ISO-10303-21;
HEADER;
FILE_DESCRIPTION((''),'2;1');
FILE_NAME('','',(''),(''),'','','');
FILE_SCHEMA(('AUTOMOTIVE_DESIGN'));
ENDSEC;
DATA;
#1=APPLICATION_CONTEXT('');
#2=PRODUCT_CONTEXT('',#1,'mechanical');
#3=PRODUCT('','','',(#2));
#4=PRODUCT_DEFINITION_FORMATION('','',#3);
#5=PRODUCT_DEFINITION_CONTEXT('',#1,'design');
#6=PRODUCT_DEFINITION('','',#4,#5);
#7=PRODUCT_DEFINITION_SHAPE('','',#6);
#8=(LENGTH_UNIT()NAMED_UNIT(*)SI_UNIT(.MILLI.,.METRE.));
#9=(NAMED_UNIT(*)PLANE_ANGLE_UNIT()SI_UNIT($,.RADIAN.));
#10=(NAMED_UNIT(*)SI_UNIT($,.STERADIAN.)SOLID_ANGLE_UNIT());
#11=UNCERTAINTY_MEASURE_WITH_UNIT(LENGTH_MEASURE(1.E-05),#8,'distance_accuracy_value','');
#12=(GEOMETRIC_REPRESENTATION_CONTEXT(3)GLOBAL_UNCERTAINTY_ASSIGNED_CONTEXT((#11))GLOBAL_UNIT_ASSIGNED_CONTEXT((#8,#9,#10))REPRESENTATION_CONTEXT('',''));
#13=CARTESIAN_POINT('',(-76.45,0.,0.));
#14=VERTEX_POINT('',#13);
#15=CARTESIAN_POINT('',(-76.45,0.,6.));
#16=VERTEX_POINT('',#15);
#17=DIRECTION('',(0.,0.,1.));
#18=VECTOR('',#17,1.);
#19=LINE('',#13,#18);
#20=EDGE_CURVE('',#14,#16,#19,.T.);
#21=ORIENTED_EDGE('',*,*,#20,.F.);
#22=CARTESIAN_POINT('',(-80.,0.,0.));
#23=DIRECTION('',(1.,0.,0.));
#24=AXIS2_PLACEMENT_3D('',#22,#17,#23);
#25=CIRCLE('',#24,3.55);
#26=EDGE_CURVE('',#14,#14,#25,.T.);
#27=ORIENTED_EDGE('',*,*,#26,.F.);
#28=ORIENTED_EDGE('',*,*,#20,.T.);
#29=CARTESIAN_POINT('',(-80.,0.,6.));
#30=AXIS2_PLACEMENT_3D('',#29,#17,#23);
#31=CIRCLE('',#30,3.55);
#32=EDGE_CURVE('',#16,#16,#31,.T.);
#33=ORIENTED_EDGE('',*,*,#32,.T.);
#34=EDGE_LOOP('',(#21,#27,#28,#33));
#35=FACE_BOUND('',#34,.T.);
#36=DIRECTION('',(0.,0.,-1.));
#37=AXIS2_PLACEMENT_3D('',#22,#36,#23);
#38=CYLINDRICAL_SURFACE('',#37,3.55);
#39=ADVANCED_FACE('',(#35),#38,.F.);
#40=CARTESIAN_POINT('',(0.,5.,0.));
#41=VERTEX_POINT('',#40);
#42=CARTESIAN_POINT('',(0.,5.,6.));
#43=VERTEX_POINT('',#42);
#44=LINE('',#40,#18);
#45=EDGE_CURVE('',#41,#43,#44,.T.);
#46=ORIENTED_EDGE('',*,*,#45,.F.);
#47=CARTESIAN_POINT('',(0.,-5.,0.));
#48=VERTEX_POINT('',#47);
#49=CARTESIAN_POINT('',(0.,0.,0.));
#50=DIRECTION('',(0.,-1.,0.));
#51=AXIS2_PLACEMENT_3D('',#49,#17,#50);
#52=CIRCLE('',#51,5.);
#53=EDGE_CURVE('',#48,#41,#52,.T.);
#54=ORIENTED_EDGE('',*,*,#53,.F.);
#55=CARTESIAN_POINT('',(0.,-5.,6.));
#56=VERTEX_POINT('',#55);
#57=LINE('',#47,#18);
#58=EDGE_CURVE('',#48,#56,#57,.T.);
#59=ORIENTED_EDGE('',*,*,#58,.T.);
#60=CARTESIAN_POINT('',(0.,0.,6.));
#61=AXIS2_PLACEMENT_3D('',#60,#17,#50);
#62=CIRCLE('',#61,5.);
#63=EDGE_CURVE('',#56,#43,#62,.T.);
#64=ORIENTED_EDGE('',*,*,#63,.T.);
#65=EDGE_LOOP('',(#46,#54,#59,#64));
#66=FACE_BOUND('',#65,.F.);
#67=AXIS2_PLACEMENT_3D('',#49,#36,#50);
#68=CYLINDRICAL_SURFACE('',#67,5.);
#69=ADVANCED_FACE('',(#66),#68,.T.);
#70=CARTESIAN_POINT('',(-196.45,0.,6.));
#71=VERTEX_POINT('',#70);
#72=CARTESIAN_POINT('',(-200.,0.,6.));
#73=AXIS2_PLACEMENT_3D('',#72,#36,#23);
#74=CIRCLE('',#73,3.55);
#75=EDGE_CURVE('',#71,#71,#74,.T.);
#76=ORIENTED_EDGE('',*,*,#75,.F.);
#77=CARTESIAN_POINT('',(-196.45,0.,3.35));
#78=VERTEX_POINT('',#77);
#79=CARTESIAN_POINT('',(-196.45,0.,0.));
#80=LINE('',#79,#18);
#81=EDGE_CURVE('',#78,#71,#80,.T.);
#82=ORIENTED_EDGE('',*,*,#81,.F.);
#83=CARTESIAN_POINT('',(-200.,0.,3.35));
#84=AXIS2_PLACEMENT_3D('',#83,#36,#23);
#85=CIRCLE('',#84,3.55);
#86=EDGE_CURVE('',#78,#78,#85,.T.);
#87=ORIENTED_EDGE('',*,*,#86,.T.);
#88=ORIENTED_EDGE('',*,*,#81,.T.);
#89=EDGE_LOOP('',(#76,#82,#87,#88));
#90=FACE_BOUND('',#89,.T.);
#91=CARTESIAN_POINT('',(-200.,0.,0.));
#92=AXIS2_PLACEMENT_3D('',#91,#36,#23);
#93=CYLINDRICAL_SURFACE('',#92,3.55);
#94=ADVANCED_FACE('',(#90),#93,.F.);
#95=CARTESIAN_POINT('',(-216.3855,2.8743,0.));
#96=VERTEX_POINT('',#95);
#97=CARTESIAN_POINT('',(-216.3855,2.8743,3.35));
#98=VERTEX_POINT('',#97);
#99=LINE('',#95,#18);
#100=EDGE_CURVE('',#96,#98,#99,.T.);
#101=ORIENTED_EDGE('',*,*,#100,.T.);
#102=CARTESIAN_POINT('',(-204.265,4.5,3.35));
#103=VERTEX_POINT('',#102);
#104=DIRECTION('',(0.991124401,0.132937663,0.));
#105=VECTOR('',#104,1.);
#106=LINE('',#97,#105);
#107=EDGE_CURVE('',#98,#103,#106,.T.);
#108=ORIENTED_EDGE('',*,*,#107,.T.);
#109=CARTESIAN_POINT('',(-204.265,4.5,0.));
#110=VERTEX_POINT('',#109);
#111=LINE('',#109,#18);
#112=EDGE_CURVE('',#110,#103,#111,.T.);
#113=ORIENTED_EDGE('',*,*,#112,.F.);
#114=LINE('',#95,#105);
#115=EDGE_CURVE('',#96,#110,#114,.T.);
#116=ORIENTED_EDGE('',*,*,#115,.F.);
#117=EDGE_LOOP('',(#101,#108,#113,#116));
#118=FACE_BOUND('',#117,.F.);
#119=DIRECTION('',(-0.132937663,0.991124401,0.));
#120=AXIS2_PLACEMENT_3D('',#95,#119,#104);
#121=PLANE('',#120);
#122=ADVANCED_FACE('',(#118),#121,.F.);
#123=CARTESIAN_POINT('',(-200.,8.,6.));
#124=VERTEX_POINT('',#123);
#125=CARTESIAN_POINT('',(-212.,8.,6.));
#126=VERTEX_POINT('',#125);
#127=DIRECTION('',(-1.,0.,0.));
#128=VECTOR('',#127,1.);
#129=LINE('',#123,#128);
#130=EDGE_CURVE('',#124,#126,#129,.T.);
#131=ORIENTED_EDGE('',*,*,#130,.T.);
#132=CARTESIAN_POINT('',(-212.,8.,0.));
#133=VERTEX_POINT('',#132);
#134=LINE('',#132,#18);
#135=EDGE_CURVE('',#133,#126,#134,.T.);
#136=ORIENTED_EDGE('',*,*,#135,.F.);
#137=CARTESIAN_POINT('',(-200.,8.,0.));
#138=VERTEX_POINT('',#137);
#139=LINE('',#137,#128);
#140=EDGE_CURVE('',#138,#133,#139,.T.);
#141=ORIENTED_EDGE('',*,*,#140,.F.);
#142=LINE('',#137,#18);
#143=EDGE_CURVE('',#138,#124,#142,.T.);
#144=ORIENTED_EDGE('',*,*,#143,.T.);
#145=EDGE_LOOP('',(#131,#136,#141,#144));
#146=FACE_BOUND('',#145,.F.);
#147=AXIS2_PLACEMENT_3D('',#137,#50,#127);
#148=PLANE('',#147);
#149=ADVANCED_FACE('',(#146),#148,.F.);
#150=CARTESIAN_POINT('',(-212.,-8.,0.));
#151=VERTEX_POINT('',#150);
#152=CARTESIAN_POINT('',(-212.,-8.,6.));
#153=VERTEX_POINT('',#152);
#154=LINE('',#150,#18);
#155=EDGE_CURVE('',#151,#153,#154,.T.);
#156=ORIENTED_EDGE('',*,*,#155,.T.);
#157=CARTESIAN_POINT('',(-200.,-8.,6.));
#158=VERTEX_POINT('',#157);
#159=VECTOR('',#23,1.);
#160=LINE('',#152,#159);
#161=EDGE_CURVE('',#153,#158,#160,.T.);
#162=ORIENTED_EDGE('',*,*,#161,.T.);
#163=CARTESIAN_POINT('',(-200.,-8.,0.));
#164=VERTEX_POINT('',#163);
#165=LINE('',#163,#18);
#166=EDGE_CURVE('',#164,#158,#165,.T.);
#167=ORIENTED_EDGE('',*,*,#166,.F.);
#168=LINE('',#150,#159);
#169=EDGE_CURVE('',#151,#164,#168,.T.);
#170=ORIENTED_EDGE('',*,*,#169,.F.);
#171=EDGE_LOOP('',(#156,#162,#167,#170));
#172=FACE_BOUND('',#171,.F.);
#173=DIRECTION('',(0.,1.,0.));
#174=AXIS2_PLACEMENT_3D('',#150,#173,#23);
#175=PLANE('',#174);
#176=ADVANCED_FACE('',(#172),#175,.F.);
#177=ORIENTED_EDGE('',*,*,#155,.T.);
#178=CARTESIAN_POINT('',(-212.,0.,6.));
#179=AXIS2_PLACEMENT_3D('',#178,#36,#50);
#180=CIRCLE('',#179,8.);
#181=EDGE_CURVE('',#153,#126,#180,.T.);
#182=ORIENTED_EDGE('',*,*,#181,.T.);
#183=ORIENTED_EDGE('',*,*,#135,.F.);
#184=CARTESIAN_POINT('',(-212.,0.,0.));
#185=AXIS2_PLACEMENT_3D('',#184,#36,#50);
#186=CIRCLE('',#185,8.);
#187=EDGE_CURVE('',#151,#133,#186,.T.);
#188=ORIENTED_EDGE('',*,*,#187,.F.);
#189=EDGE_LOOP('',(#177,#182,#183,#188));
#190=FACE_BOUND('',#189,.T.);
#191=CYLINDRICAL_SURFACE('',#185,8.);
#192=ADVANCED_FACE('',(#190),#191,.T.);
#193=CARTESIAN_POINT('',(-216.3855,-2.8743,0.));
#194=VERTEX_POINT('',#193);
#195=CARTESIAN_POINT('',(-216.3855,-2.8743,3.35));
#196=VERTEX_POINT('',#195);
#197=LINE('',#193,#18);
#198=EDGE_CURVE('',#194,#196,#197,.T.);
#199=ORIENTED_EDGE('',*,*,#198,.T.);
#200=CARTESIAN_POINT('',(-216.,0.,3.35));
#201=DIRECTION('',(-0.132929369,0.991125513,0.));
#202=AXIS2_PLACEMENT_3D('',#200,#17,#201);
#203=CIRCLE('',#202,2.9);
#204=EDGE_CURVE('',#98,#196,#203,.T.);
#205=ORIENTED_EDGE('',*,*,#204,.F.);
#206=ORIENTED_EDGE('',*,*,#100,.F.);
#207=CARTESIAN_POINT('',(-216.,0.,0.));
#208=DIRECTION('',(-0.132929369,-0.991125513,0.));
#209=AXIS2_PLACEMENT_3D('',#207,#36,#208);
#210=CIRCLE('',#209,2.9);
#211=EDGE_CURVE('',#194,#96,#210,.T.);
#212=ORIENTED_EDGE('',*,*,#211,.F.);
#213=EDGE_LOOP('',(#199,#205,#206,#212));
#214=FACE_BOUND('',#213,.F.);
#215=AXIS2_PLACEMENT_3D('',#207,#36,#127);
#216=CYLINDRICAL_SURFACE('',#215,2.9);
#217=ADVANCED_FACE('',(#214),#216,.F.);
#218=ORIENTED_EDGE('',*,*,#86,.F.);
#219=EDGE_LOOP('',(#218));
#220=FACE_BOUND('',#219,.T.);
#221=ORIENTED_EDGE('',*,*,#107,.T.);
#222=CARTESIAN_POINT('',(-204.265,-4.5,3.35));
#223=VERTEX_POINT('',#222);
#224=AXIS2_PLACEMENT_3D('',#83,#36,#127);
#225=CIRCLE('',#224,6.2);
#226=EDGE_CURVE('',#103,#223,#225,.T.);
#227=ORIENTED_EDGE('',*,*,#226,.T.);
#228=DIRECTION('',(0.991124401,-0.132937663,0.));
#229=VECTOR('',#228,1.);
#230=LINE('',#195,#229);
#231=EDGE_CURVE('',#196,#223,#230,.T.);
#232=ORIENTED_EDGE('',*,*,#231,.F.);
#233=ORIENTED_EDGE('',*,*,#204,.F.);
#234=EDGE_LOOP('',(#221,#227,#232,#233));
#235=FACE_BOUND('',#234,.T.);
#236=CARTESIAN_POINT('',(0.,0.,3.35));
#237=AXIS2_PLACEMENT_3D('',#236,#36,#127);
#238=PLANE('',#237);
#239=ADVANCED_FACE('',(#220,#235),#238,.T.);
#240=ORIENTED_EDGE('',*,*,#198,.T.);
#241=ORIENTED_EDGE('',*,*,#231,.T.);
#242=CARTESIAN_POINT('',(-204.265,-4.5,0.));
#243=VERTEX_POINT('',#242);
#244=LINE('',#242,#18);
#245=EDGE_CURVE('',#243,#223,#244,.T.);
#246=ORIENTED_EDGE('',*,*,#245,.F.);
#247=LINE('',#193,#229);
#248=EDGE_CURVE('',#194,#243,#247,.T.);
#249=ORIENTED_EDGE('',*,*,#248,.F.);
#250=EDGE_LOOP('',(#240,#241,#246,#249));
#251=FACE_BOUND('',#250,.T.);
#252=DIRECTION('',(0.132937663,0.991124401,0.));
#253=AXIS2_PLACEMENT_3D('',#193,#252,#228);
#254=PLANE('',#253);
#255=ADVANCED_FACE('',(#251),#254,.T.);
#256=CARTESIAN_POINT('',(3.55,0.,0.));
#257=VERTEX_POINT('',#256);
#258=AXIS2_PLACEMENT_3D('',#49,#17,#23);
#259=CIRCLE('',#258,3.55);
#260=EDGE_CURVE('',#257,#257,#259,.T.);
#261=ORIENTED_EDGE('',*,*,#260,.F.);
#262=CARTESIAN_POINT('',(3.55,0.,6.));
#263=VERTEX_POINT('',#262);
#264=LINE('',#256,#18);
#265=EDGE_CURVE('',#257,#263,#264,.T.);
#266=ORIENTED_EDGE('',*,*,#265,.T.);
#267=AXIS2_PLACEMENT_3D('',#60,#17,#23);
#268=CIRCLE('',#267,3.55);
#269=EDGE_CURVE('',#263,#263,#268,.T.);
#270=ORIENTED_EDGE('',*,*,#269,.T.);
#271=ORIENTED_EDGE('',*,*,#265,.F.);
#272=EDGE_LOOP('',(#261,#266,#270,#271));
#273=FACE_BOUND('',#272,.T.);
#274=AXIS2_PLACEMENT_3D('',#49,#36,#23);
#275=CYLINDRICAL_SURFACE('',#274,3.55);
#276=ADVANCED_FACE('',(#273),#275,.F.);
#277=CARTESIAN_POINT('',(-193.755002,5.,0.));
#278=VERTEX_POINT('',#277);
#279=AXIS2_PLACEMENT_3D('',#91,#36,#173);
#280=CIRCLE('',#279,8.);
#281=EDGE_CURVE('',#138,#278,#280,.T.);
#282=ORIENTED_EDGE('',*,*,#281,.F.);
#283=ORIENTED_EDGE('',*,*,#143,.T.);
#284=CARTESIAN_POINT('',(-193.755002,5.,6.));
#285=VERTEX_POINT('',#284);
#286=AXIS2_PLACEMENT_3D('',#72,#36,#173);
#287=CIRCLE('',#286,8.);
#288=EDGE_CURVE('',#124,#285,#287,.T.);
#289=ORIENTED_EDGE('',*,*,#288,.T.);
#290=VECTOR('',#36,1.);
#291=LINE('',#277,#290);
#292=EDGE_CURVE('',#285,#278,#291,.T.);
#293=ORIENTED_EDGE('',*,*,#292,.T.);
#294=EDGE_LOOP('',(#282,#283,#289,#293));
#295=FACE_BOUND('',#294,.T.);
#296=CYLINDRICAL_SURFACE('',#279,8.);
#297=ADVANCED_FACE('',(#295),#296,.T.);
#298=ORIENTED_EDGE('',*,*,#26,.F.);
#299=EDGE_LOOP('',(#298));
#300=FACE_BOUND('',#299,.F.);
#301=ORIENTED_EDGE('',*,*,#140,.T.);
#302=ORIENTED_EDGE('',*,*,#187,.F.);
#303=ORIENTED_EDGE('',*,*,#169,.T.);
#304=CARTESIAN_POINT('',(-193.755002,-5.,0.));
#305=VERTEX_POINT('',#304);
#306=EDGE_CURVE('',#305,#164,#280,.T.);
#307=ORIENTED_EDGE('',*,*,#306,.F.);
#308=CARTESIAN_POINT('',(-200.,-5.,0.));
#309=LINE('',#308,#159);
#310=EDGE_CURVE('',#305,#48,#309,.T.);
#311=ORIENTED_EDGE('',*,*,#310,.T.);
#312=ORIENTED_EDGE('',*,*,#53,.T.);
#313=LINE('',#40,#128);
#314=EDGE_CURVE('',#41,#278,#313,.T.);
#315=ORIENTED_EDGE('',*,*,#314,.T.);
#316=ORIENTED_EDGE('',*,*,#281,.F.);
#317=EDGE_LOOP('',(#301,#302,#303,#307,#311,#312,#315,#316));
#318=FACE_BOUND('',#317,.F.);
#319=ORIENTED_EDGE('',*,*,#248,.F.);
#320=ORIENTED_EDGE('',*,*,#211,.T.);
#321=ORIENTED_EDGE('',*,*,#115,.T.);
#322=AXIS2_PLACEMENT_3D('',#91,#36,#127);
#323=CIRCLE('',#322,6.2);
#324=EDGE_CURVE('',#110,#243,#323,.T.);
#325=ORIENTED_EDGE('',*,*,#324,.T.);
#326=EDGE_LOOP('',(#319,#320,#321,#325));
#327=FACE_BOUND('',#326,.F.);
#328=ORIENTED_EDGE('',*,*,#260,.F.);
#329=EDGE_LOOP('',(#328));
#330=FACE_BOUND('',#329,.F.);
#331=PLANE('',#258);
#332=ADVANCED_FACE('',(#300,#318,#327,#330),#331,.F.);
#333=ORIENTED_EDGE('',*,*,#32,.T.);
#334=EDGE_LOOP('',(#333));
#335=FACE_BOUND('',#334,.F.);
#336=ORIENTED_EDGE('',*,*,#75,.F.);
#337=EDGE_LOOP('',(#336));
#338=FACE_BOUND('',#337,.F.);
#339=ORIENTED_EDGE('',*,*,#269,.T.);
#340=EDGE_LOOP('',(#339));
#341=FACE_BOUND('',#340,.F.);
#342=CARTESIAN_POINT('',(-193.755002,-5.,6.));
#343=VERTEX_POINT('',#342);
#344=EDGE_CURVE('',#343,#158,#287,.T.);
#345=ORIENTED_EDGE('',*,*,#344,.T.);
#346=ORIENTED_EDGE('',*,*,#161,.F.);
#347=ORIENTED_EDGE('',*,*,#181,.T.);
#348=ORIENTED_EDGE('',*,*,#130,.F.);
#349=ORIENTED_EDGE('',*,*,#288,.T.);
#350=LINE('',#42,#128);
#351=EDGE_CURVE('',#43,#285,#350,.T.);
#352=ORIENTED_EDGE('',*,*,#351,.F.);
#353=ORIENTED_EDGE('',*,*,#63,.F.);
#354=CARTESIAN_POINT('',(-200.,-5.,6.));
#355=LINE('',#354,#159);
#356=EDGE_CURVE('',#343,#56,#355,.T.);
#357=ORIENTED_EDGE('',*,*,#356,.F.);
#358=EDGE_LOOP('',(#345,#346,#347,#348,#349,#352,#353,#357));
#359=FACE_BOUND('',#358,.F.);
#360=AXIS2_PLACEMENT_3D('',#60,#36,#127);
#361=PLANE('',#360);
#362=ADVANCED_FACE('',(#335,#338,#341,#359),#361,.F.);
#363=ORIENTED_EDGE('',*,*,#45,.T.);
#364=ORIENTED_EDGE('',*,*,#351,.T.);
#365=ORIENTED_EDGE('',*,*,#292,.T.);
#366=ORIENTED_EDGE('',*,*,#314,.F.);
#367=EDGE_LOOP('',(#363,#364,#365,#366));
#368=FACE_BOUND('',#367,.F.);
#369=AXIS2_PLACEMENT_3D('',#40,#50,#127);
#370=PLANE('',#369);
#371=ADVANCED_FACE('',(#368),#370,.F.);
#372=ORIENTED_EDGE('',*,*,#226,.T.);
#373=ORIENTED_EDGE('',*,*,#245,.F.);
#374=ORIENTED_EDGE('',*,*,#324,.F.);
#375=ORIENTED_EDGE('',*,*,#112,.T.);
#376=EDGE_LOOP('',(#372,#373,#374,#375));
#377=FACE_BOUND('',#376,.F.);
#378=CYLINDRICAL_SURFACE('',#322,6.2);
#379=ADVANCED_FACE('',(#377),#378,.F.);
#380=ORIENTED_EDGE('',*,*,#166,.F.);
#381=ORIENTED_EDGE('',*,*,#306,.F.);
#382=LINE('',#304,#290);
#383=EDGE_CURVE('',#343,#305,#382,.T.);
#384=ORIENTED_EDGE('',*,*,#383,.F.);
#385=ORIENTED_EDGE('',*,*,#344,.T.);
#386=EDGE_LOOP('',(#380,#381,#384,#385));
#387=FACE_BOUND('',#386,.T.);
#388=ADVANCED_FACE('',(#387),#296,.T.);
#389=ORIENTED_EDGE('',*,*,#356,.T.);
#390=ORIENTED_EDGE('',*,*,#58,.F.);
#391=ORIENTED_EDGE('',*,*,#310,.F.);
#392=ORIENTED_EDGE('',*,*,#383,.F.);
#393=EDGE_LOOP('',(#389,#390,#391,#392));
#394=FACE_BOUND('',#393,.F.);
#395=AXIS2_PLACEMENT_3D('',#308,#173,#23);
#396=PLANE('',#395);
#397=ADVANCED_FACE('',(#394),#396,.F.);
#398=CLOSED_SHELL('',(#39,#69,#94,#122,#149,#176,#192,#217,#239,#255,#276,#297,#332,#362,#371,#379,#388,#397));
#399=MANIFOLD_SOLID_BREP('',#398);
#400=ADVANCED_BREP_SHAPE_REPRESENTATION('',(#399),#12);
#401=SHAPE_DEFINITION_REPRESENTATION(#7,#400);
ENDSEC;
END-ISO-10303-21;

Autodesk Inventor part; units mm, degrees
ref_plane "YZ Plane" through (0, 0, 0) normal (1, 0, 0) x (0, 1, 0)
ref_plane "XZ Plane" through (0, 0, 0) normal (0, 1, 0) x (-1, 0, 0)
ref_plane "XY Plane" through (0, 0, 0) normal (0, 0, 1) x (1, 0, 0)
sketch "草圖1" plane through (0, 0, 0) normal (0, 0, 1) x (1, 0, 0)
  line L0 (-200, 0) -> (0, 0) construction
  line L1 (-200, -5) -> (0, -5)
  line L2 (0, 5) -> (-200, 5)
  arc A0 (-200, 5) -> (-200, -5) centre (-200, 0) ccw
  arc A1 (0, -5) -> (0, 5) centre (0, 0) ccw
  circle A2 centre (0, 0) radius 3.55
  circle A3 centre (-80, 0) radius 3.55
  circle A4 centre (-200, 0) radius 3.55
  point P0 (-100, 0)
  dimension "d0" = 200
  dimension "d1" = 10
  dimension "d3" = 7.1
  dimension "d27" = 7.1
  dimension "d47" = 7.1
extrude "擠出1" add sketch "草圖1" along normal blind 6 contours A0 L2 A1 L1 | A4
sketch "草圖4" plane through (0, 0, 0) normal (0, 0, -1) x (-1, 0, 0)
  line L0 (200, 0) -> (212, 0) construction
  line L1 (200, 8) -> (212, 8)
  line L2 (212, -8) -> (200, -8)
  arc A0 (200, 8) -> (200, -8) centre (200, 0) ccw
  arc A1 (212, -8) -> (212, 8) centre (212, 0) ccw
  circle A2 centre (200, 0) radius 3.4
  circle A3 centre (200, 0) radius 4.25
  circle A4 centre (216, 0) radius 0.6
  circle A5 centre (216, 0) radius 2.9
  circle A6 centre (200, 0) radius 6.2
  line L3 (216.3855, -2.8743) -> (204.265, -4.5)
  line L4 (216.3855, 2.8743) -> (204.265, 4.5)
  arc A7 (200, -5) -> (200, 5) centre (200, 0) ccw projected
  point P0 (0, 0)
  point P1 (206, 0)
  dimension "d31" = 8
  dimension "d32" = 8.5
  dimension "d33" = 6.8
  dimension "d34" = 12
  dimension "d36" = 1.2
  dimension "d37" = 16
  dimension "d42" = 5.8
  dimension "d44" = 12.4
  dimension "d46" = 9
extrude "擠出5" add sketch "草圖4" against normal blind 6 contours L1 A1 L2 A0 | A2 | A3 | A4 | A5 | A5 L3 A6 L4 | A6
extrude "擠出6" cut sketch "草圖4" against normal blind 3.35 contours A2 | A3 | A4 | A5 | A5 L3 A6 L4 | A6
extrude "擠出7" cut sketch "草圖1" along normal through all contours A4
sketch "草圖5" plane through (0, 0, 3.35) normal (0, 0, -1) x (-1, 0, 0)
  point P0 (0, 0)
properties part number "200_forservo"
